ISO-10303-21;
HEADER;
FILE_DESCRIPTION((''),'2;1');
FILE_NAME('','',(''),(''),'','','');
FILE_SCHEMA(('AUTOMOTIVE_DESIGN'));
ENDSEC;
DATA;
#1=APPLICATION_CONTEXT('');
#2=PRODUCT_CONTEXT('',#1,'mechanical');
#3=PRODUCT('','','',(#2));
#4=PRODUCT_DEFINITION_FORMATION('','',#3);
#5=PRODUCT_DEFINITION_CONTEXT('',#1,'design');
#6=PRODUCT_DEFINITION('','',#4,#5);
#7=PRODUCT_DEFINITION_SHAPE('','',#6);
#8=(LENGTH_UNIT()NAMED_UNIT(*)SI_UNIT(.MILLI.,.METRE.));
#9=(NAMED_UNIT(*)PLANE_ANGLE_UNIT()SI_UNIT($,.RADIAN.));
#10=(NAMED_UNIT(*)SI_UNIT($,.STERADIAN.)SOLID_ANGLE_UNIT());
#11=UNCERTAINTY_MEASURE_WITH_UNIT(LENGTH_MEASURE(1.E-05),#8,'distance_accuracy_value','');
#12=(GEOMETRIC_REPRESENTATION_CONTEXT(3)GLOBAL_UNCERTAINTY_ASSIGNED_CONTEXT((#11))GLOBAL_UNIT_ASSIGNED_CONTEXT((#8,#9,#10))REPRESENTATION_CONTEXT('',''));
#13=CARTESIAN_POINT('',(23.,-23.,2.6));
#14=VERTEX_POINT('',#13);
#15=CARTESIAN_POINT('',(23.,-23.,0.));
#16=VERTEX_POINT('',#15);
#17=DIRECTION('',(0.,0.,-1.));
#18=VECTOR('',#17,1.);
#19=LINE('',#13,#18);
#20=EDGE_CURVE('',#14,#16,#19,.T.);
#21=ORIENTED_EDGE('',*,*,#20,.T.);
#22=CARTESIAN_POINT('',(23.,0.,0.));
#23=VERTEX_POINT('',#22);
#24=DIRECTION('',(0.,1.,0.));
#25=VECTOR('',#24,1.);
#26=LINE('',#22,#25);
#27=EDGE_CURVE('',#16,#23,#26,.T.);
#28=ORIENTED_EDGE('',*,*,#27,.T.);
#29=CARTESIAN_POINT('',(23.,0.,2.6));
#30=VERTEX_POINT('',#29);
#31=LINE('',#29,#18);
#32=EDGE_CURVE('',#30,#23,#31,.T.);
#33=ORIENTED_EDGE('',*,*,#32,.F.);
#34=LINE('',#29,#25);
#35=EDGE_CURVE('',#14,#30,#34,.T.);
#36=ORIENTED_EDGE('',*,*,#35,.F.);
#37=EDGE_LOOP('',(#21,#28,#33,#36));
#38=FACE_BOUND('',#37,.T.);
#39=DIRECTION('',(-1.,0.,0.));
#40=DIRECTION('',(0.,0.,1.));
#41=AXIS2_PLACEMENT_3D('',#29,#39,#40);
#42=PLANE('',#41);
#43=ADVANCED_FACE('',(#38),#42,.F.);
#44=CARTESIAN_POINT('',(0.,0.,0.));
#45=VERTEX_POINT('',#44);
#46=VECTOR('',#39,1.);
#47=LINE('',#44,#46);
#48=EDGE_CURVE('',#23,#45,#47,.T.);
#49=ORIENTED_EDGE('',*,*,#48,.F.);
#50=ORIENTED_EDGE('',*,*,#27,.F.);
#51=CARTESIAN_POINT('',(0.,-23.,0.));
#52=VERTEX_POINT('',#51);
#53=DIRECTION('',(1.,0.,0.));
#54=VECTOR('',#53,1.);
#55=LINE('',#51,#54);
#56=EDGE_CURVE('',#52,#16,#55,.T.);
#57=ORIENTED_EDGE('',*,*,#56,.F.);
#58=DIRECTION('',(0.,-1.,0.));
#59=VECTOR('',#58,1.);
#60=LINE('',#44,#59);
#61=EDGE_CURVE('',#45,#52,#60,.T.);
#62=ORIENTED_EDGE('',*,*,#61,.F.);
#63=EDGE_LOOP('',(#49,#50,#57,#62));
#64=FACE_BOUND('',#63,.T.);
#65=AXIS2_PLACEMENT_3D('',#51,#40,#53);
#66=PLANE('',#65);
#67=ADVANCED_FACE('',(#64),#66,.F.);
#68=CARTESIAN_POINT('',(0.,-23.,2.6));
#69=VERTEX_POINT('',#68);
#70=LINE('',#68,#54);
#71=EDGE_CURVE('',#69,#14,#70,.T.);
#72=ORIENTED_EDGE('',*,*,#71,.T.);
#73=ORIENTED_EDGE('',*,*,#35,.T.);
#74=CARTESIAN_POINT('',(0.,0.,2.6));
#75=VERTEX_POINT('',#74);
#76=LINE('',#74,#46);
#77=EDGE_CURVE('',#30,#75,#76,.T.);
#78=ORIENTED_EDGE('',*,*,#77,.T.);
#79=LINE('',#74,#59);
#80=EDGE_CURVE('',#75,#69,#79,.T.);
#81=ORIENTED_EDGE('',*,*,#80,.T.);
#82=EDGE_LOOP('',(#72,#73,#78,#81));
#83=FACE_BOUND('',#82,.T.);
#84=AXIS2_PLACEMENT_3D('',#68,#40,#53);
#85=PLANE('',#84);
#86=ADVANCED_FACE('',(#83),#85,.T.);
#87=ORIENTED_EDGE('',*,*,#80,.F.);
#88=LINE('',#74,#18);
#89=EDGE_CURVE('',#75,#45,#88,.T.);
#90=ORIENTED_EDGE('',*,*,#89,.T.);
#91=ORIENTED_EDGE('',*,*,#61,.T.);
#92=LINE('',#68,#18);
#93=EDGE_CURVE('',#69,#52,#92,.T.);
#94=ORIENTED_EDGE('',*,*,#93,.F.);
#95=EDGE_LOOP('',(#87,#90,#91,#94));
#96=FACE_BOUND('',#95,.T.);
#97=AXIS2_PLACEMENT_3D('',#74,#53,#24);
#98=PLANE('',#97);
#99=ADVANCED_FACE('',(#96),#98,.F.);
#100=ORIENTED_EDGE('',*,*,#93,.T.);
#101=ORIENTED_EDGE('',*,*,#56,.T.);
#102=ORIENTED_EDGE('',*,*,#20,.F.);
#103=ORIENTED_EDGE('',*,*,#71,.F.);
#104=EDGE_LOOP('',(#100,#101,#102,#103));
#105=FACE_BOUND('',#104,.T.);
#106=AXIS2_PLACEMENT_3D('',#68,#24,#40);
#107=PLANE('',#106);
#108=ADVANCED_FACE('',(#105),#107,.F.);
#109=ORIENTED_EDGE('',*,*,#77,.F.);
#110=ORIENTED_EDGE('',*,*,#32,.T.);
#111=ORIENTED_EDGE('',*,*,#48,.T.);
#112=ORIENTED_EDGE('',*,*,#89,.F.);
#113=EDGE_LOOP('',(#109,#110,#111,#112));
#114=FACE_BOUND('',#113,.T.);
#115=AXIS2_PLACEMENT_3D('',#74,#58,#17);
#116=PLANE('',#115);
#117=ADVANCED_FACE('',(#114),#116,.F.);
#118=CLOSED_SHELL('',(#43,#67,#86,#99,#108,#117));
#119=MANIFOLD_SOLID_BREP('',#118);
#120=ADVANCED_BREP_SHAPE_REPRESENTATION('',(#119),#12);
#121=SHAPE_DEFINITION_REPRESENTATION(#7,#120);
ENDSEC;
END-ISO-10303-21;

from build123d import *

# Parameters (mm, degrees)
SKETCH1_W      = 23
SKETCH1_H      = 23
EXTRUDE1_DEPTH = 2.6


with BuildPart() as part:
    # Sketch1 → Extrude1 (new body)
    with BuildSketch(Plane.XY):
        with Locations((11.5, -11.5)):
            Rectangle(SKETCH1_W, SKETCH1_H)
    extrude(amount=EXTRUDE1_DEPTH)


solid = part.part
